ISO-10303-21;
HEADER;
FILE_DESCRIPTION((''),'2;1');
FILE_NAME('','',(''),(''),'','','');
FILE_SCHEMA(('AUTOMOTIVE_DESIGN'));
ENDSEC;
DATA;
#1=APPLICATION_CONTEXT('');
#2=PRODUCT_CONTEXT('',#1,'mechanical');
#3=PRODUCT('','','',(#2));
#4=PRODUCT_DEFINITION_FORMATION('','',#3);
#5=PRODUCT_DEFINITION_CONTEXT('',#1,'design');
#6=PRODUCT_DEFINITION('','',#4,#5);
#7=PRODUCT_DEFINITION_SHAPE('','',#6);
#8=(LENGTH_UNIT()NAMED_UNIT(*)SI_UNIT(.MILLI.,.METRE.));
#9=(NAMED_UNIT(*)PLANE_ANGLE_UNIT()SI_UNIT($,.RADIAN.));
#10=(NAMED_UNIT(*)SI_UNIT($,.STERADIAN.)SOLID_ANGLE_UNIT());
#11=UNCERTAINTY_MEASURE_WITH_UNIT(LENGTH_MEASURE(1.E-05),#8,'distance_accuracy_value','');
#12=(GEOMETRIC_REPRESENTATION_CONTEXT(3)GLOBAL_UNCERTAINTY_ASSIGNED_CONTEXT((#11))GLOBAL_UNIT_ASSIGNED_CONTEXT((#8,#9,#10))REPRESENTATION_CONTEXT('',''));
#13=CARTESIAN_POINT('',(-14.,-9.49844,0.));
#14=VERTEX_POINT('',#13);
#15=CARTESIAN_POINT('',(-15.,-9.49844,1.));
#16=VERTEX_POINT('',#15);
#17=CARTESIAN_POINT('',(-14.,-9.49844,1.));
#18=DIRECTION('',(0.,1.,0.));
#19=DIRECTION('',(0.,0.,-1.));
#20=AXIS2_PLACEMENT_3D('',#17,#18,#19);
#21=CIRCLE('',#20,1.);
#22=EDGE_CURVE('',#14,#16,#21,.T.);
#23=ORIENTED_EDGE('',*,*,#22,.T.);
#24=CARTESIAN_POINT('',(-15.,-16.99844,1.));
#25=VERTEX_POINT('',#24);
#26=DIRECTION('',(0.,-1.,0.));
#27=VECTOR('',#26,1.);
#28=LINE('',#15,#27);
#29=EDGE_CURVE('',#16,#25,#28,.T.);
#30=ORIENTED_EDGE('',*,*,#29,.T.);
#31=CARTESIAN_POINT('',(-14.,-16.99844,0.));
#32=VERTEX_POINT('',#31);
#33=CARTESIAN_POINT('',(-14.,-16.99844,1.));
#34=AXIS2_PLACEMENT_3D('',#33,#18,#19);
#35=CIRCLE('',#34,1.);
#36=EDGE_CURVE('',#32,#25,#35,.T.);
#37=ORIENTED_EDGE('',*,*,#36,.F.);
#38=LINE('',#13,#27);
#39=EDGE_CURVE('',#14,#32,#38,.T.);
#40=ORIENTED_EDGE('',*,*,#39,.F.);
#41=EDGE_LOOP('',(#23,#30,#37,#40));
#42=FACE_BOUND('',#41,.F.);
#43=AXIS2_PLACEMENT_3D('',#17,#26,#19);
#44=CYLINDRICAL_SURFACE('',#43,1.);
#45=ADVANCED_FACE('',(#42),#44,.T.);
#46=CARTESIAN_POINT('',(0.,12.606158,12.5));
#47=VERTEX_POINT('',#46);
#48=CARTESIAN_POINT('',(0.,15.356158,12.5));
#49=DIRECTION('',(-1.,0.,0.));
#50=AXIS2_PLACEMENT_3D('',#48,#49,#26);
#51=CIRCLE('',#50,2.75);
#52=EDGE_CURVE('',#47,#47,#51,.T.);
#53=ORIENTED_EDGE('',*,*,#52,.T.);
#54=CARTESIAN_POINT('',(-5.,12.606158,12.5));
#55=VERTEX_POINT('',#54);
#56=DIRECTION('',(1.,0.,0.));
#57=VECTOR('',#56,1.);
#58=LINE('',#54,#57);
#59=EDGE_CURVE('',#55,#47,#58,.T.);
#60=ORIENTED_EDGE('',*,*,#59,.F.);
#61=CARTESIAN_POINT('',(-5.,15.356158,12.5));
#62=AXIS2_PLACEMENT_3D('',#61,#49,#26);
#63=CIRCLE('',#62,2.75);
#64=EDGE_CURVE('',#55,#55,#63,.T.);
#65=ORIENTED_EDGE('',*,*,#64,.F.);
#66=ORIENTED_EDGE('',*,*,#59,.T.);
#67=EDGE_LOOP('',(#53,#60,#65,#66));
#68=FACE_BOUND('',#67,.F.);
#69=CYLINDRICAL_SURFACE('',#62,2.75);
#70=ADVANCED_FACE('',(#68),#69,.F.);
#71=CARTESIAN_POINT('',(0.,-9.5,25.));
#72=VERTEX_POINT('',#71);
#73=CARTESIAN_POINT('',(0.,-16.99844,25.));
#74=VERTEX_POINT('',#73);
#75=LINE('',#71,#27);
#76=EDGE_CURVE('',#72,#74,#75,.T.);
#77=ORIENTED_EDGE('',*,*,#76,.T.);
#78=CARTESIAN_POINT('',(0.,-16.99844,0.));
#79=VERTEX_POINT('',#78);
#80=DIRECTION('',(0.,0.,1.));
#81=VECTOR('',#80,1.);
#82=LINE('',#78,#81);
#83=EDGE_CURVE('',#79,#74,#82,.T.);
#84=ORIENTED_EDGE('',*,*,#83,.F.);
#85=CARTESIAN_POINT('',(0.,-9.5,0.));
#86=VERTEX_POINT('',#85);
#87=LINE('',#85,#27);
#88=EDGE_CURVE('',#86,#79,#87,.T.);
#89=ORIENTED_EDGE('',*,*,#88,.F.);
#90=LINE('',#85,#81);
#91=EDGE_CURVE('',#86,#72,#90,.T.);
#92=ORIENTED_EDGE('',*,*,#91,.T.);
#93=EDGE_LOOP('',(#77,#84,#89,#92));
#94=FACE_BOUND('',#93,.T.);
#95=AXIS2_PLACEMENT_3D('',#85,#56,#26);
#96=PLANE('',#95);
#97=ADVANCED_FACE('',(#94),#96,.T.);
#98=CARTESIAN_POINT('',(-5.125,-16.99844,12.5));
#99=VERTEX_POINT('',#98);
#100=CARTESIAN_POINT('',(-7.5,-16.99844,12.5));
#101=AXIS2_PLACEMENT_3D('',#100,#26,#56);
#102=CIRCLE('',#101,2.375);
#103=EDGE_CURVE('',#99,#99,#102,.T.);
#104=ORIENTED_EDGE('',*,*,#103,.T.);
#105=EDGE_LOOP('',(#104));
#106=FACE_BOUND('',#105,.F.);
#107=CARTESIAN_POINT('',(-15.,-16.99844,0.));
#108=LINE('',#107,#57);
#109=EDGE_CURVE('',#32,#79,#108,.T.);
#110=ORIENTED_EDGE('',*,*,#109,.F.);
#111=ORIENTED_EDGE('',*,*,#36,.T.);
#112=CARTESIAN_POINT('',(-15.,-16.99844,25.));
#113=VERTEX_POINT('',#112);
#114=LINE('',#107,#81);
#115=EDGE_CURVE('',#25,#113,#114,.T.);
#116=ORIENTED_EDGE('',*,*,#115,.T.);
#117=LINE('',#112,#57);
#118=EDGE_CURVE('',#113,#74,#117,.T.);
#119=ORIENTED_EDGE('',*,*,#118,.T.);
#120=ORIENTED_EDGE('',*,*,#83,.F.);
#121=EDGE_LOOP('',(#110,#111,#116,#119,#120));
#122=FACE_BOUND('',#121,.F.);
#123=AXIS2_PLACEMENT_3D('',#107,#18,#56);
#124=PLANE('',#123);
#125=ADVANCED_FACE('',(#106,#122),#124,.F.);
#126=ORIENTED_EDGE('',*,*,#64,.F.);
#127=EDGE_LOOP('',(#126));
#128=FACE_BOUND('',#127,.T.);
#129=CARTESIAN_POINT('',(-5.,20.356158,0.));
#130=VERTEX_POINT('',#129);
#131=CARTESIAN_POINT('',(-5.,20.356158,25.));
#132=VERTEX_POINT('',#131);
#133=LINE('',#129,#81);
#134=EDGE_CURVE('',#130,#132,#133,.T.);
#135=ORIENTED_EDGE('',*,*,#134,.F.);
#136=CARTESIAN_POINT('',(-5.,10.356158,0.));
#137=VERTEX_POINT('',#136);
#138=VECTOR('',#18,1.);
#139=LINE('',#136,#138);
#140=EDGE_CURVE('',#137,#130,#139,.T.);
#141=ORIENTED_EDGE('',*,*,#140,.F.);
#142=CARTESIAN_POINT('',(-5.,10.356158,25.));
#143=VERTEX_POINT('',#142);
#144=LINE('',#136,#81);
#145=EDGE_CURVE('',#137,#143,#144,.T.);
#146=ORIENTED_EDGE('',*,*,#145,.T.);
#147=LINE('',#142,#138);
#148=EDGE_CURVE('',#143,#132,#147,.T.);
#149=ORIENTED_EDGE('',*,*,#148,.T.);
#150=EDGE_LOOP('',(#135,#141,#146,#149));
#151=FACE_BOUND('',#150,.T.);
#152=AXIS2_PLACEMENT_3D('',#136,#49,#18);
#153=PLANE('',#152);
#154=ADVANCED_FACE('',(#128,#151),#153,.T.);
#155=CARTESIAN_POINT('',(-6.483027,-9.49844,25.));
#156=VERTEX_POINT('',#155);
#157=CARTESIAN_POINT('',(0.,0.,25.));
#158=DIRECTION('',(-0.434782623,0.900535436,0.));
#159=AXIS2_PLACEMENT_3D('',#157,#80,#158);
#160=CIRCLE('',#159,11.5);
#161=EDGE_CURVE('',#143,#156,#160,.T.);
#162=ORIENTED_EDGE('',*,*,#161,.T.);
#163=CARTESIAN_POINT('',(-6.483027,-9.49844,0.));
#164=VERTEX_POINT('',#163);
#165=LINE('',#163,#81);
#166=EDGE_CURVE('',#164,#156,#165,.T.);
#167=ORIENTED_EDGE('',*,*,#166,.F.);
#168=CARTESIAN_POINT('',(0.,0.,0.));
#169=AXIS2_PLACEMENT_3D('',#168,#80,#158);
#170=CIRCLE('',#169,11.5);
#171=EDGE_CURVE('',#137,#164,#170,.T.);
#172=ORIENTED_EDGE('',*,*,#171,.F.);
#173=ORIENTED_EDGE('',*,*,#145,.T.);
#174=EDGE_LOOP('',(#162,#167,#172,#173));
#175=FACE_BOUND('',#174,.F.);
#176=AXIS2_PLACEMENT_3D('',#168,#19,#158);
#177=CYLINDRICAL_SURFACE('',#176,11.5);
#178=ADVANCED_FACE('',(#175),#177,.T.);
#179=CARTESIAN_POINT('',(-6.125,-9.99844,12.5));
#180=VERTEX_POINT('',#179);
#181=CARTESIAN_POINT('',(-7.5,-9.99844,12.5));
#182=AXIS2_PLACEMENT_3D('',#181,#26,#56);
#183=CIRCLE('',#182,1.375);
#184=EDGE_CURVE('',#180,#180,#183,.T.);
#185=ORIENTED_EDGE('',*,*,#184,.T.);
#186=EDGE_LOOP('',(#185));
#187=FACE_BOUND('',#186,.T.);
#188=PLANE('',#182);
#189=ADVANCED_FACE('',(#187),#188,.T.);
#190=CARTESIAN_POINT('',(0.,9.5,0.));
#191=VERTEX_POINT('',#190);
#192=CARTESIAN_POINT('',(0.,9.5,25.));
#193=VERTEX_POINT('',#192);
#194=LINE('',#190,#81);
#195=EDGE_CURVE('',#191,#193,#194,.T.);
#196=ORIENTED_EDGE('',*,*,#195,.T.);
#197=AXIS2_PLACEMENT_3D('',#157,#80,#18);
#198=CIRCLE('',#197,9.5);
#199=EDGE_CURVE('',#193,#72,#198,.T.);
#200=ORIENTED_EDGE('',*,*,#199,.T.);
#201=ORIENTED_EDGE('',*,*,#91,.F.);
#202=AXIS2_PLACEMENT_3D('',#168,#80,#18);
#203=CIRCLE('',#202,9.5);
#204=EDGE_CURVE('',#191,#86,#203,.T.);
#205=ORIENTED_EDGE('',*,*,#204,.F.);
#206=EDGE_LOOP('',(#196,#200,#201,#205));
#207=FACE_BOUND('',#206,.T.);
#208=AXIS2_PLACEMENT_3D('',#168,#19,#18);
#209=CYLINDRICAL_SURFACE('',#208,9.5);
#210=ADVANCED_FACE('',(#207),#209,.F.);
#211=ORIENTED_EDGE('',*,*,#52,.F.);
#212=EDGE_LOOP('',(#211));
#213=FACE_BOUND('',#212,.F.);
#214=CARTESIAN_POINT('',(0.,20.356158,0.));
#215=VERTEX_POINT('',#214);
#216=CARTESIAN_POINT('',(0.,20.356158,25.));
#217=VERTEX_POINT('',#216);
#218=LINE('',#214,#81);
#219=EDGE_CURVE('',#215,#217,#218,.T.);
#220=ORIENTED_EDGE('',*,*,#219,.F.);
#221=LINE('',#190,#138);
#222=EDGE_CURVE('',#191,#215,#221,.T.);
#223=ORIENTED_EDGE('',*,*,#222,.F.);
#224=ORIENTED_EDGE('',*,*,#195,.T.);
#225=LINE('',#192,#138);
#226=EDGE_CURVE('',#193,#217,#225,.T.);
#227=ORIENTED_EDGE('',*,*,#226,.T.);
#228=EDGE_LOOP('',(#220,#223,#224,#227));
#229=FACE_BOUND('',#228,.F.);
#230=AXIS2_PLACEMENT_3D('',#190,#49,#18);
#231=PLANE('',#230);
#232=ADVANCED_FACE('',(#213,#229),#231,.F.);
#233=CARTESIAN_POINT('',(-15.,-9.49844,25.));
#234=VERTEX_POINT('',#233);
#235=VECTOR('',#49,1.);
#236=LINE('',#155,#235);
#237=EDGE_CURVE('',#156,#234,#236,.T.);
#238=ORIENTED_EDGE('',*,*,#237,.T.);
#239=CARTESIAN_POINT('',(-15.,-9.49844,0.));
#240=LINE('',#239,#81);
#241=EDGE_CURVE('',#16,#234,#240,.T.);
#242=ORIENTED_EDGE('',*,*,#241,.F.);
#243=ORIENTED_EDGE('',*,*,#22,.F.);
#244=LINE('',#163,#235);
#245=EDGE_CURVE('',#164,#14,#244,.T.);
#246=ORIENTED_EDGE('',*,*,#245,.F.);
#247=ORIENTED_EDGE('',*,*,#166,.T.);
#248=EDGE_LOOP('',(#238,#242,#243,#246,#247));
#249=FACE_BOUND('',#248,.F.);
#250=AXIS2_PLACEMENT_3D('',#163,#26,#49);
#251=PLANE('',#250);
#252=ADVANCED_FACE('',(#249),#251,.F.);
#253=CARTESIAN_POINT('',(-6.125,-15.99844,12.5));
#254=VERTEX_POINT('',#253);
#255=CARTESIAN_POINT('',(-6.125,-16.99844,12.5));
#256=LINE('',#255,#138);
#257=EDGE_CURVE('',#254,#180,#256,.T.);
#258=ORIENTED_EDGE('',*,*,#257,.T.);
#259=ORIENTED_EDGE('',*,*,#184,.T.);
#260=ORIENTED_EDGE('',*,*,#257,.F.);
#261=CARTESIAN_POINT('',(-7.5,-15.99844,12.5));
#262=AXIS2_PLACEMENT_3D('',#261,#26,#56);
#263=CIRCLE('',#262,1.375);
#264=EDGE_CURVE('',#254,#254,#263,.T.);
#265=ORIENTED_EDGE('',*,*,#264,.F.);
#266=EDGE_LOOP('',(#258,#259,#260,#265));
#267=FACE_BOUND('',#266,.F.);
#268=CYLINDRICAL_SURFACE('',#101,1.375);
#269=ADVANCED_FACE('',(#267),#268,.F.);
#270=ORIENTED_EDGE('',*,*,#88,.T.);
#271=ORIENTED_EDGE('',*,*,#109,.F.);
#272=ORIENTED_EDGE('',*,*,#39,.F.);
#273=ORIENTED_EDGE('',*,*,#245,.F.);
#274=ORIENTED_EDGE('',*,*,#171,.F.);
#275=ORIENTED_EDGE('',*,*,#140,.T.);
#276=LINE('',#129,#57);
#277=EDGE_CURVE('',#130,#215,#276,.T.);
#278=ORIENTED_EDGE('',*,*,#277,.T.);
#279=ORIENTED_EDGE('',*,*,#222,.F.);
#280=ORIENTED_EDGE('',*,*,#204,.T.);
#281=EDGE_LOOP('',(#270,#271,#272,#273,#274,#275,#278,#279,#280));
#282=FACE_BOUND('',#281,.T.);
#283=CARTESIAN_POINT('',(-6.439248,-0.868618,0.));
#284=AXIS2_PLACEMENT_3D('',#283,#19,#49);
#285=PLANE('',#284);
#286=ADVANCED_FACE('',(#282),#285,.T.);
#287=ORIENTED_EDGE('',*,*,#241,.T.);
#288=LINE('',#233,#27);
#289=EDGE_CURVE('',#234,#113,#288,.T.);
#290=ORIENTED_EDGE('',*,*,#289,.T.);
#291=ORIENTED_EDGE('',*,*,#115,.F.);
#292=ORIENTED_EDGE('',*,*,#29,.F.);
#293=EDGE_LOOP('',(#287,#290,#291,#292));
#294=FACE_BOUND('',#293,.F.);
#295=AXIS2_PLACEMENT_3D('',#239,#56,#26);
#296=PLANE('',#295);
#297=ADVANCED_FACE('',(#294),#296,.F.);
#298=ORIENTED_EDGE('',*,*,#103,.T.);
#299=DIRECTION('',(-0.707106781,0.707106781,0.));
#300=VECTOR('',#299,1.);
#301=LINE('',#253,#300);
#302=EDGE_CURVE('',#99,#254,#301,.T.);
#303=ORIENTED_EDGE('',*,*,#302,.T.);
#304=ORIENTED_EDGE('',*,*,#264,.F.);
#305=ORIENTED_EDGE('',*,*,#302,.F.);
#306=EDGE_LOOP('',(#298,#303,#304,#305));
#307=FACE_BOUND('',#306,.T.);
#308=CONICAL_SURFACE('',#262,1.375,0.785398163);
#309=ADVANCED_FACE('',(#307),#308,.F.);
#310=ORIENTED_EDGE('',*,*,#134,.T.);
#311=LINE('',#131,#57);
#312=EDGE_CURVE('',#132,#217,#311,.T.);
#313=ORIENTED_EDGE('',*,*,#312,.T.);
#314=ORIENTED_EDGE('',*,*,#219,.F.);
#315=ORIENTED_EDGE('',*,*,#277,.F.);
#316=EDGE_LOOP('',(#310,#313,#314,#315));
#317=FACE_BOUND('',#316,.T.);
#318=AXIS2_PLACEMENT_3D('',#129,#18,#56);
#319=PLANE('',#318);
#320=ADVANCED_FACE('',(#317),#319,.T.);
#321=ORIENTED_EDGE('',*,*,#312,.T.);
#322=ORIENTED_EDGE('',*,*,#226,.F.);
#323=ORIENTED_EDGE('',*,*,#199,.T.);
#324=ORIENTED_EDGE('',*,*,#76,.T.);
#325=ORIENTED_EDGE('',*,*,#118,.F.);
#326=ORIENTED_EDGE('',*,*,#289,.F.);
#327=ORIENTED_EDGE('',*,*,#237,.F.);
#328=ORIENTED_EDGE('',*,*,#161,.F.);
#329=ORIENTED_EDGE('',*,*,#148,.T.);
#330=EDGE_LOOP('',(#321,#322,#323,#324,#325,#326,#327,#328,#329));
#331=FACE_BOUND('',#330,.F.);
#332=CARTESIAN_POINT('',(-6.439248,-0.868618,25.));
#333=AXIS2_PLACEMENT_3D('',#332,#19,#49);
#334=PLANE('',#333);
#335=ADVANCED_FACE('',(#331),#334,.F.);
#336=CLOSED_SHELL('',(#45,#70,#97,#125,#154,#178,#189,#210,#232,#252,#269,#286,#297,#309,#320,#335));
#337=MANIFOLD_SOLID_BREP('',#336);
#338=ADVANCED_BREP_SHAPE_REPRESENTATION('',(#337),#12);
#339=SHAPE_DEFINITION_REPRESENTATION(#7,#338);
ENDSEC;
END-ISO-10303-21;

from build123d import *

# Parameters (mm, degrees)
PAD004_DEPTH    = 25
SKETCH011_R     = 1.375
POCKET007_DEPTH = 7
SKETCH012_R     = 2.75
POCKET008_DEPTH = 7
FILLET012_R     = 1
CHAMFER001_SIZE = 1


with BuildPart() as part:
    # Sketch008 (on XY_Plane003 of Origin006) → Pad004 (new body)
    with BuildSketch(Plane.XY):
        with BuildLine():
            ThreePointArc((0, 9.5), (-9.5, 0), (0, -9.5))
            Line((0, -9.5), (0, -16.99844))
            Line((-15, -16.99844), (0, -16.99844))
            Line((-15, -9.49844), (-15, -16.99844))
            Line((-6.483027, -9.49844), (-15, -9.49844))
            ThreePointArc((-5, 10.356158), (-11.468053, 0.856599), (-6.483027, -9.49844))
            Line((-5, 10.356158), (-5, 20.356158))
            Line((-5, 20.356158), (0, 20.356158))
            Line((0, 9.5), (0, 20.356158))
        make_face()
    extrude(amount=PAD004_DEPTH)

    # Sketch011 (on Face6 of Pad004) → Pocket007 (cut)
    with BuildSketch(Plane.XZ.offset(16.99844)):
        with Locations((-7.5, 12.5)):
            Circle(SKETCH011_R)
    extrude(amount=-POCKET007_DEPTH, mode=Mode.SUBTRACT)

    # Sketch012 (on Face1 of Pocket007) → Pocket008 (cut)
    with BuildSketch(Plane(origin=(-5, 0, 0), x_dir=(0, -1, 0), z_dir=(-1, 0, 0))):
        with Locations((-15.356158, 12.5)):
            Circle(SKETCH012_R)
    extrude(amount=-POCKET008_DEPTH, mode=Mode.SUBTRACT)

    # Fillet012
    fillet012_edges = [part.edges().sort_by_distance(p)[0] for p in [
        (-15, -13.24844, 0),
    ]]
    fillet(fillet012_edges, radius=FILLET012_R)

    # Chamfer001
    chamfer001_edges = [part.edges().sort_by_distance(p)[0] for p in [
        (-8.875, -16.99844, 12.5),
    ]]
    chamfer(chamfer001_edges, length=CHAMFER001_SIZE)


solid = part.part
